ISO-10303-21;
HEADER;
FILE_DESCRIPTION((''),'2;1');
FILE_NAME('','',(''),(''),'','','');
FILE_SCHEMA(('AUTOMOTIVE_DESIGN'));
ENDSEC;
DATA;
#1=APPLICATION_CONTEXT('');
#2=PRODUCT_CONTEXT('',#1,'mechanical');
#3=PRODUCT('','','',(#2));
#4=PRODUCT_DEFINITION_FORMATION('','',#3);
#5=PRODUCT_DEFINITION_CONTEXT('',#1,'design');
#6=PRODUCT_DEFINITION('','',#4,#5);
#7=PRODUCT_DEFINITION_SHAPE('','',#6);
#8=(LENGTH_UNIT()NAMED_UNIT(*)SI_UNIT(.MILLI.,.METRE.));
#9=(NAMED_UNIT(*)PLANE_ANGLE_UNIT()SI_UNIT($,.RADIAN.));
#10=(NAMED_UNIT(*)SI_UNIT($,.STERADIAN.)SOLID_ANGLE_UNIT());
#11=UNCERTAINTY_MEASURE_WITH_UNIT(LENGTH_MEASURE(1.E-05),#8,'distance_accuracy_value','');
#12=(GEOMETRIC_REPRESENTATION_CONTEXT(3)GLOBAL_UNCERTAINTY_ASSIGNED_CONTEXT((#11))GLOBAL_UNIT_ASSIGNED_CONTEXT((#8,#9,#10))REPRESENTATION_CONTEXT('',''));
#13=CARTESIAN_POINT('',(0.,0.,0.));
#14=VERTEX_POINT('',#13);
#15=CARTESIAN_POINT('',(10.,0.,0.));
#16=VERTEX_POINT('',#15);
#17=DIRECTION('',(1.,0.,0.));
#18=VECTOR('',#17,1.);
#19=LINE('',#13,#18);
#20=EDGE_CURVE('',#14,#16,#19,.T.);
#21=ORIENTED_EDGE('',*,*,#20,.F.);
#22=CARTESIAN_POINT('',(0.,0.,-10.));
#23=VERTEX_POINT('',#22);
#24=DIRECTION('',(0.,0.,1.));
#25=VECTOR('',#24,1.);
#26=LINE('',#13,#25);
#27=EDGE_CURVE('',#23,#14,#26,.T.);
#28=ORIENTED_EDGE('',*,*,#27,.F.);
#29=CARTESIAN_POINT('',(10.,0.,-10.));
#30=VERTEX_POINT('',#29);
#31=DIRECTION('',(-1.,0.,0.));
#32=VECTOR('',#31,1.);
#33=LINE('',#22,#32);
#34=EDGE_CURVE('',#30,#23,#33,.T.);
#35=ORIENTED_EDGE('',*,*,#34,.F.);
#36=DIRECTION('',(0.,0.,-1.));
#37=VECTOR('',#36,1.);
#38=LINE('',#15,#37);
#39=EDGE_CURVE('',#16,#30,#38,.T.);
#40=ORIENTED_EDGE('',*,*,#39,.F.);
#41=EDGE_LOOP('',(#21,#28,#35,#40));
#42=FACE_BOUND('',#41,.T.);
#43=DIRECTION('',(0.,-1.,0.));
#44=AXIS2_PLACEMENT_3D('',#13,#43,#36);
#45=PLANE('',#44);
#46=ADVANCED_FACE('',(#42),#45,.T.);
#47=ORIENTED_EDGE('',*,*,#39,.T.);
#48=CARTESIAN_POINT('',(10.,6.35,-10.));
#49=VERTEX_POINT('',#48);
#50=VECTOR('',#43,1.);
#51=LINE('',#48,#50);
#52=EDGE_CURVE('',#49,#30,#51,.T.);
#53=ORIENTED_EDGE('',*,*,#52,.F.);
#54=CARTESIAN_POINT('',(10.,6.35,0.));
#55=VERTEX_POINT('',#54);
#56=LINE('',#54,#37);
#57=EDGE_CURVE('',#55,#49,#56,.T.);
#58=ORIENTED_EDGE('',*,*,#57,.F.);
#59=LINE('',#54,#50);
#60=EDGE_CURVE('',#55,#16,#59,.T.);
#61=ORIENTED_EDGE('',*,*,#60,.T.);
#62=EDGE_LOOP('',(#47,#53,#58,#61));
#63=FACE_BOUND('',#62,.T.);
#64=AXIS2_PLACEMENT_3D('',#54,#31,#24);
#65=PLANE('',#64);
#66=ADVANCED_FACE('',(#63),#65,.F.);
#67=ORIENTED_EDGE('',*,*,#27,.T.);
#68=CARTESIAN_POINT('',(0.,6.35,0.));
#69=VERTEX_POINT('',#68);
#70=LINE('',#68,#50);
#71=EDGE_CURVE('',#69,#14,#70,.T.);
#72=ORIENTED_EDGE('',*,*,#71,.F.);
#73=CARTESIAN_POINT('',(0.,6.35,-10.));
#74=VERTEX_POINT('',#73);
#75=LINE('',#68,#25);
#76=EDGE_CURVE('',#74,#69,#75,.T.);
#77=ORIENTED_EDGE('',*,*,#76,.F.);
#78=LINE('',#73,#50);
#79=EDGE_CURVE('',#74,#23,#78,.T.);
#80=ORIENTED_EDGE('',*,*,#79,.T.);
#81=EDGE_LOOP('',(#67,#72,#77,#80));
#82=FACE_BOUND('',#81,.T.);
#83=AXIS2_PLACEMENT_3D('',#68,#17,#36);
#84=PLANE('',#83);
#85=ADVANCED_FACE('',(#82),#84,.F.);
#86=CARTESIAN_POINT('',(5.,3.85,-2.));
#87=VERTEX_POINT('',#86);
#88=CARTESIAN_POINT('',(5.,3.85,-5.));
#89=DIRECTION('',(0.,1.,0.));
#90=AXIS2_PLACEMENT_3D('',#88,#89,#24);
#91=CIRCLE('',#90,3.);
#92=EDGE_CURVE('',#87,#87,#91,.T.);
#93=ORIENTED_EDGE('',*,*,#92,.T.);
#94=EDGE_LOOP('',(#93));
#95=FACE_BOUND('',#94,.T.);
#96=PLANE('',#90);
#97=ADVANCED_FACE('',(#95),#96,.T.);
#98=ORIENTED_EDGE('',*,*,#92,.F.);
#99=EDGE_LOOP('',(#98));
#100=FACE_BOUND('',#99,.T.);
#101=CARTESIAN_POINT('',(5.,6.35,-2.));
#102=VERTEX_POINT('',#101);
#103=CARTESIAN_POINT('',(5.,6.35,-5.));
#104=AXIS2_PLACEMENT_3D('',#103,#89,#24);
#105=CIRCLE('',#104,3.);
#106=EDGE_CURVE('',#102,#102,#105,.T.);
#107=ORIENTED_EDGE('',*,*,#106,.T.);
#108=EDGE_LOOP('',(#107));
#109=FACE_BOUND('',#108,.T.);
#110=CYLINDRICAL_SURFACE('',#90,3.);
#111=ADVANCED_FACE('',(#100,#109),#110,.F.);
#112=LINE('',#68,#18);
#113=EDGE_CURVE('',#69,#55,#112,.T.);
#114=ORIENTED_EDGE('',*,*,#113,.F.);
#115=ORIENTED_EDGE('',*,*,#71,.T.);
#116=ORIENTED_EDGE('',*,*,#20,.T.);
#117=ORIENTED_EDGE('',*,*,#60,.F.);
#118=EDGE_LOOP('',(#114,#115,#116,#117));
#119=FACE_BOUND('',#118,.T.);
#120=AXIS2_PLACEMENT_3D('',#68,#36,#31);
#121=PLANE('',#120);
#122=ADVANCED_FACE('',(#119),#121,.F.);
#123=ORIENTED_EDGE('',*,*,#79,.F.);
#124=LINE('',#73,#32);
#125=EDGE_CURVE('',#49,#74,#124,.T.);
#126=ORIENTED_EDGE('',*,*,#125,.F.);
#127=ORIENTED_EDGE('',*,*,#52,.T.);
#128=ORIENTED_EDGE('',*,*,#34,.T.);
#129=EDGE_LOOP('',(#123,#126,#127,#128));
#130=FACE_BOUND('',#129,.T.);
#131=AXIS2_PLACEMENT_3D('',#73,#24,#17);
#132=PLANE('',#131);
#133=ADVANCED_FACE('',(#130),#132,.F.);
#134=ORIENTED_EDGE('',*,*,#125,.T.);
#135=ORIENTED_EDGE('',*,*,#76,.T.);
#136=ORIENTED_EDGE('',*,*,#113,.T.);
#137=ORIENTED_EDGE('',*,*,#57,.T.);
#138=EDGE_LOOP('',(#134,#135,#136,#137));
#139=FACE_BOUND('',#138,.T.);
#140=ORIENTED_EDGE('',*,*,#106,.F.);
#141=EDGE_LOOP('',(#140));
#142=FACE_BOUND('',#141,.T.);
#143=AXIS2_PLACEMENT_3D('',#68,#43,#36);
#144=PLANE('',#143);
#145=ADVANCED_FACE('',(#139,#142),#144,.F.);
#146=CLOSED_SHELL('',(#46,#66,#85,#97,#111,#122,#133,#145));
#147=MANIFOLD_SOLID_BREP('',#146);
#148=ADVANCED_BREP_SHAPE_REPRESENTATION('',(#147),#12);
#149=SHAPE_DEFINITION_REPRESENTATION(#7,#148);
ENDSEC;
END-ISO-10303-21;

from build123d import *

# Parameters (mm, degrees)
SKETCH1_W           = 10
SKETCH1_H           = 10
BOSS_EXTRUDE1_DEPTH = 6.35
SKETCH2_R           = 3
CUT_EXTRUDE1_DEPTH  = 2.5


with BuildPart() as part:
    # Sketch1 → Boss-Extrude1 (new body)
    with BuildSketch(Plane(origin=(0, 0, 0), x_dir=(1, 0, 0), z_dir=(0, 1, 0))):
        with Locations((5, 5)):
            Rectangle(SKETCH1_W, SKETCH1_H)
    extrude(amount=BOSS_EXTRUDE1_DEPTH)

    # Sketch2 → Cut-Extrude1 (cut)
    with BuildSketch(Plane(origin=(0, 6.35, 0), x_dir=(1, 0, 0), z_dir=(0, 1, 0))):
        with Locations((5, 5)):
            Circle(SKETCH2_R)
    extrude(amount=-CUT_EXTRUDE1_DEPTH, mode=Mode.SUBTRACT)


solid = part.part
